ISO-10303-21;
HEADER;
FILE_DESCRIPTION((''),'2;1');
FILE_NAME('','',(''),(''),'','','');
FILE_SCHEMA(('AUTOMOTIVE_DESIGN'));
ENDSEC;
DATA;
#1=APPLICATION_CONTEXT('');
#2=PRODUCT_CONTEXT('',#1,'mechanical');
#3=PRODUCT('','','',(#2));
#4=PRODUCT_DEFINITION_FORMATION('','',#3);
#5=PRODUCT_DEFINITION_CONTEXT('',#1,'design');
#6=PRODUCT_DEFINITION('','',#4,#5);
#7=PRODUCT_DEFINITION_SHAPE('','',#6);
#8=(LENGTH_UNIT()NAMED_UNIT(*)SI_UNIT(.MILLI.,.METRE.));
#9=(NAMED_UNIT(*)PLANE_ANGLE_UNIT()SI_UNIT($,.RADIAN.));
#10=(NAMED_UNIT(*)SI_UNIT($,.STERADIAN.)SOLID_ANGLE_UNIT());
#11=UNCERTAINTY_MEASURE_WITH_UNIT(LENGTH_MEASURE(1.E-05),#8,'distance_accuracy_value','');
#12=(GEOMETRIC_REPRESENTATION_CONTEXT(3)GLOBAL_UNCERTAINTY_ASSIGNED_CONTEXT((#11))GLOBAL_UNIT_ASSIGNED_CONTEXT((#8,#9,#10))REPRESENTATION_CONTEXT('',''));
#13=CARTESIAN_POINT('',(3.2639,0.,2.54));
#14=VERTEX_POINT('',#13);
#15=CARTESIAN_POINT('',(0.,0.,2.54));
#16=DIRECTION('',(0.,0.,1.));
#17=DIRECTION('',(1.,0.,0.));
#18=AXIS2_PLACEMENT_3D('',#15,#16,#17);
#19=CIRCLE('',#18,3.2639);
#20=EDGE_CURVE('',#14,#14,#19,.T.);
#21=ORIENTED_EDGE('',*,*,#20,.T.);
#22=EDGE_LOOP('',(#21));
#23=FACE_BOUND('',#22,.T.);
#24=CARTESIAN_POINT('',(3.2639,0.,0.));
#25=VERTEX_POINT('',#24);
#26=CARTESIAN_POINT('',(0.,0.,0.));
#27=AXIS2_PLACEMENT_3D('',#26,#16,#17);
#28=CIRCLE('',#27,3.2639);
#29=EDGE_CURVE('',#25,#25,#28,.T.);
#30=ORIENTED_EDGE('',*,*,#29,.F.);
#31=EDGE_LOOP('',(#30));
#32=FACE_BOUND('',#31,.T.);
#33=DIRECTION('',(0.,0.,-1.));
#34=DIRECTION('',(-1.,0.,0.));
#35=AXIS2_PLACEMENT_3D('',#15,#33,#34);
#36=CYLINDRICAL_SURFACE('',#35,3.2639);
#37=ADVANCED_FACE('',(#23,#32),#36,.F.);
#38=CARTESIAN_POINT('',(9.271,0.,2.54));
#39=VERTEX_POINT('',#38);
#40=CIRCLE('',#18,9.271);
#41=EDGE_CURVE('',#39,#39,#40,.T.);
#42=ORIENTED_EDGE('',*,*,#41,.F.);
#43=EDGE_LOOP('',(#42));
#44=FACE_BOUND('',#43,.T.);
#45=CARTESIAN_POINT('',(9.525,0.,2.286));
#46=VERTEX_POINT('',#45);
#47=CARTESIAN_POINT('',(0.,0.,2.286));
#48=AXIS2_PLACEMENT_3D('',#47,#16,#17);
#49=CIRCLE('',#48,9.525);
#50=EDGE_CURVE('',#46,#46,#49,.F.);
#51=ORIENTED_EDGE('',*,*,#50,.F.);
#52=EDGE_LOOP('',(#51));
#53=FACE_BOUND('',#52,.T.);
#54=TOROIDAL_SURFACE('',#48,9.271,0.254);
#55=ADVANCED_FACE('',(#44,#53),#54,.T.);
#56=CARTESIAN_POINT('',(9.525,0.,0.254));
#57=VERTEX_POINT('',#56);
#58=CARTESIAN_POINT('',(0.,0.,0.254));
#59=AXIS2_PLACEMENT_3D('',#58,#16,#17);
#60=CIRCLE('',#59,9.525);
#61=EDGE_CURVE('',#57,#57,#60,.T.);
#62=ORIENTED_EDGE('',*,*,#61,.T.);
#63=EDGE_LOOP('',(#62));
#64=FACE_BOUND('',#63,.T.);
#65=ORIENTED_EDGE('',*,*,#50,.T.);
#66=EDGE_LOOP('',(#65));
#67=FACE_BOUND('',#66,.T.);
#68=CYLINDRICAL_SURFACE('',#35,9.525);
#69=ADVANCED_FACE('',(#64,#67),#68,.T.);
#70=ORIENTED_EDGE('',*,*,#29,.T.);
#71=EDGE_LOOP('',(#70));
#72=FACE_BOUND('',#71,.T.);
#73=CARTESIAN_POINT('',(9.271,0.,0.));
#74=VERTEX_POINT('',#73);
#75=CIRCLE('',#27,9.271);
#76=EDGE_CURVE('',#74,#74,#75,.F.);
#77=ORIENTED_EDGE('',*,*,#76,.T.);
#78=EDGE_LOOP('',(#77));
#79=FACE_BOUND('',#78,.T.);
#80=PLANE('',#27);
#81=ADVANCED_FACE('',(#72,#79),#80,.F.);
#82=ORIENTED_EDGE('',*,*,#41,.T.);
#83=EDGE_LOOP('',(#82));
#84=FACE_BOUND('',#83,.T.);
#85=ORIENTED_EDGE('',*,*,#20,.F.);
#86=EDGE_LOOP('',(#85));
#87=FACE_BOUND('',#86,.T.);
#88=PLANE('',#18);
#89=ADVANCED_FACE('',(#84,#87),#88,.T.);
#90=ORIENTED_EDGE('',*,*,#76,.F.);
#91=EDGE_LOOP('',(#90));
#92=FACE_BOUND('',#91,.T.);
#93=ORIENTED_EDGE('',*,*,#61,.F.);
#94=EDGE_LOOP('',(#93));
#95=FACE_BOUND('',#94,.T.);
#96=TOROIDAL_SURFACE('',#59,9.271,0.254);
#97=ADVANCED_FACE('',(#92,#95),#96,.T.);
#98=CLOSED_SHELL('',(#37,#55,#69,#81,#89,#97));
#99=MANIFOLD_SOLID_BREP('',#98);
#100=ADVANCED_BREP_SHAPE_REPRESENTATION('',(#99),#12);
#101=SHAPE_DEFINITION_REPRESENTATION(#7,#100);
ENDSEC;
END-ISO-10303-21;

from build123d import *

# Parameters (mm, degrees)
SKETCH2_R           = 9.525
SKETCH2_R_2         = 3.2639
BOSS_EXTRUDE1_DEPTH = 2.54
FILLET1_R           = 0.254


with BuildPart() as part:
    # Sketch2 → Boss-Extrude1 (new body)
    with BuildSketch(Plane.XY):
        Circle(SKETCH2_R)
        Circle(SKETCH2_R_2, mode=Mode.SUBTRACT)
    extrude(amount=BOSS_EXTRUDE1_DEPTH)

    # Fillet1
    fillet1_edges = [part.edges().sort_by_distance(p)[0] for p in [
        (-9.525, 0, 0),
        (-9.525, 0, 2.54),
    ]]
    fillet(fillet1_edges, radius=FILLET1_R)


solid = part.part
